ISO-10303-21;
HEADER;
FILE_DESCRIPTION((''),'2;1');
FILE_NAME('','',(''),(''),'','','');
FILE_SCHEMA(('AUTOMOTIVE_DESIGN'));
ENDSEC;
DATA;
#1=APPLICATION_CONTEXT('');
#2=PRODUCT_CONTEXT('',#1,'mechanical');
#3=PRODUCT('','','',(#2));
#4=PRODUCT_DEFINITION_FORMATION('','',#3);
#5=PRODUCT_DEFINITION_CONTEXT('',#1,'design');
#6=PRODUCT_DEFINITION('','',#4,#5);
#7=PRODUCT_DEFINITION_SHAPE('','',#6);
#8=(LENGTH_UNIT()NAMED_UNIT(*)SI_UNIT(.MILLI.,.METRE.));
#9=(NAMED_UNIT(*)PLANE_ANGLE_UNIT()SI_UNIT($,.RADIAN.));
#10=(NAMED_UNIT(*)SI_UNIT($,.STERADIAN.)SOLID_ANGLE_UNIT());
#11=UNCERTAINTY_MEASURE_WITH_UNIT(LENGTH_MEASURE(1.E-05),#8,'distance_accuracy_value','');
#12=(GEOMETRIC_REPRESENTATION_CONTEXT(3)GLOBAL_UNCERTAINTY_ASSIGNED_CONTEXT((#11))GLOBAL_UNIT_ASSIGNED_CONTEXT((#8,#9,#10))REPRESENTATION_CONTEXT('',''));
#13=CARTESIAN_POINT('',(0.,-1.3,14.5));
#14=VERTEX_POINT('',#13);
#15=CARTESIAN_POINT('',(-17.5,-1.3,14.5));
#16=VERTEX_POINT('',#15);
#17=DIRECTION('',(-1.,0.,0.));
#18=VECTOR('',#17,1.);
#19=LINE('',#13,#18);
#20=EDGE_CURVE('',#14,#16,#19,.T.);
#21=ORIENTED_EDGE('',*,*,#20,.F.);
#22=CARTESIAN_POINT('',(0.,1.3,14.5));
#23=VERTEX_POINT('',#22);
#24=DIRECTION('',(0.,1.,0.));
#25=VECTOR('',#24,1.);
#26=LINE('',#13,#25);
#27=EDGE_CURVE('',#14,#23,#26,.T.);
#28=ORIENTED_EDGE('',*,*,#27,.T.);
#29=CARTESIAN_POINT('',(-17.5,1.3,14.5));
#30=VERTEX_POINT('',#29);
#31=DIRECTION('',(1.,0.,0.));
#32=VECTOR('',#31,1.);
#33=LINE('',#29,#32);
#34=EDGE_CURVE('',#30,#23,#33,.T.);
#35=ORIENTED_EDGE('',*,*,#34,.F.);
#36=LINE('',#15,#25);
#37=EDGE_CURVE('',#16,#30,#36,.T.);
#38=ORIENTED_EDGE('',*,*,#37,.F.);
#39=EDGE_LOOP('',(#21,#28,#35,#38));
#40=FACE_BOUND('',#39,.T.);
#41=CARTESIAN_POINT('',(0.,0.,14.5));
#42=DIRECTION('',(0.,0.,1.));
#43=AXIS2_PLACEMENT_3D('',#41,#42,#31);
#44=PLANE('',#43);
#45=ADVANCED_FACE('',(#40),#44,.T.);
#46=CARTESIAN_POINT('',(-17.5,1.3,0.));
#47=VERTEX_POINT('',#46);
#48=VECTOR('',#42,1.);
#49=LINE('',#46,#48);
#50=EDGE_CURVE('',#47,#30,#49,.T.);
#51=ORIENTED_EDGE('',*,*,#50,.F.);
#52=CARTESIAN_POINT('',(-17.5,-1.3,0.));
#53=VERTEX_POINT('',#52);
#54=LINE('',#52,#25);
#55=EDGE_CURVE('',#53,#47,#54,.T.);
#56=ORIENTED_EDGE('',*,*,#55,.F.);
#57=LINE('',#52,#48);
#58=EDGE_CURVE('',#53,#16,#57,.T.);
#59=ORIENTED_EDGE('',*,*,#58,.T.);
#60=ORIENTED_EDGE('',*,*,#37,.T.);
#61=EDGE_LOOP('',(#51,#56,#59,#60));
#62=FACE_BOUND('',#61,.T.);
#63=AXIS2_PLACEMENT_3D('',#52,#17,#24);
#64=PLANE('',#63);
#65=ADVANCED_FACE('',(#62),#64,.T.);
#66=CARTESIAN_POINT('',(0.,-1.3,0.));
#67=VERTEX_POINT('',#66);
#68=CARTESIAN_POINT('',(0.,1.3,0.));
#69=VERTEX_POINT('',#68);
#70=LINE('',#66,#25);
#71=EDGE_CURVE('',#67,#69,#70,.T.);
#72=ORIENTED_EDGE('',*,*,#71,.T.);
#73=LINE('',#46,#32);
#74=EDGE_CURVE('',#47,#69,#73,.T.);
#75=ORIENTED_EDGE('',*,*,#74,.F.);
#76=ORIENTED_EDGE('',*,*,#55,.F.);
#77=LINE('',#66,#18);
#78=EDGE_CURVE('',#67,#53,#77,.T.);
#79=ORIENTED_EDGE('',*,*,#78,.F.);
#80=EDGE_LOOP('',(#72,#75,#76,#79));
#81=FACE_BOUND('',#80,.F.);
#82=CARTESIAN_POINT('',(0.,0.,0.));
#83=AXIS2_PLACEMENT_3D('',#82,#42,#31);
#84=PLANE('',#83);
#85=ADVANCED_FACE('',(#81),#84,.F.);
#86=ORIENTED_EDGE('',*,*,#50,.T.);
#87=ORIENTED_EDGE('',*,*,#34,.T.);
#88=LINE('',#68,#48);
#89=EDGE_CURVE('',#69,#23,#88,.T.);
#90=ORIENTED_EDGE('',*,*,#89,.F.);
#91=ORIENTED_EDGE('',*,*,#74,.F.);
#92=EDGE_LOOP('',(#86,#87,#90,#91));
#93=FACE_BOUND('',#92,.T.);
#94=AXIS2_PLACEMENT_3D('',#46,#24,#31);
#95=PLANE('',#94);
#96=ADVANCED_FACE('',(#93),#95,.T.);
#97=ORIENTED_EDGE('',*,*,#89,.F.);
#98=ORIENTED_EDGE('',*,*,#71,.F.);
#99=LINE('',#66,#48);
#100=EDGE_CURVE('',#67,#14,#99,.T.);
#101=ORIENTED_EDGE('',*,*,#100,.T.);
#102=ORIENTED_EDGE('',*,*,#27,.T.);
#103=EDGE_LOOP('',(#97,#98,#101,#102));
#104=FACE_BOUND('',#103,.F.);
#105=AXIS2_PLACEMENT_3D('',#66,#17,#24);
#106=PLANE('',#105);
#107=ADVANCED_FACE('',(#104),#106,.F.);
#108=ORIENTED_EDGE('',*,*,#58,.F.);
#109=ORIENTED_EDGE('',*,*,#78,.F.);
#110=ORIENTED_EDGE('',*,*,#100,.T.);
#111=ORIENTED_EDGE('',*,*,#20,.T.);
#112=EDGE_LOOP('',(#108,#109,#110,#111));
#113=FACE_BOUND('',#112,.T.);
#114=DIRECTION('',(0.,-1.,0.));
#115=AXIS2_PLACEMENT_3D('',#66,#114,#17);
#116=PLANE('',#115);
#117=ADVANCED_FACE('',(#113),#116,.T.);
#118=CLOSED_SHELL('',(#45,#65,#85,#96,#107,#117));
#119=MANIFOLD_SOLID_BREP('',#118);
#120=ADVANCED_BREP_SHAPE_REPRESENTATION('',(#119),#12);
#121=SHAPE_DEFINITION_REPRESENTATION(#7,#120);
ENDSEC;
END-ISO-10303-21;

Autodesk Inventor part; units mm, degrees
ref_plane "YZ Plane" through (0, 0, 0) normal (1, 0, 0) x (0, 1, 0)
ref_plane "XZ Plane" through (0, 0, 0) normal (0, 1, 0) x (-1, 0, 0)
ref_plane "XY Plane" through (0, 0, 0) normal (0, 0, 1) x (1, 0, 0)
ref_plane "РабПлоскость1" through (0, 0, 0) normal (0, 0, 1) x (1, 0, 0)
sketch "Эскиз1" plane through (0, 0, 0) normal (0, 0, 1) x (1, 0, 0)
  line L0 (-10.35, -0.8) -> (-11.95, -0.8) projected
  line L1 (-11.95, -0.8) -> (-11.95, 0.8) projected
  line L2 (-11.95, 0.8) -> (-10.35, 0.8) projected
  line L3 (-10.35, 0.8) -> (-10.35, -0.8) projected
  line L4 (-3.15, -0.8) -> (-4.75, -0.8) projected
  line L5 (-4.75, -0.8) -> (-4.75, 0.8) projected
  line L6 (-4.75, 0.8) -> (-3.15, 0.8) projected
  line L7 (-3.15, 0.8) -> (-3.15, -0.8) projected
  line L8 (-5.55, -0.8) -> (-7.15, -0.8) projected
  line L9 (-7.15, -0.8) -> (-7.15, 0.8) projected
  line L10 (-7.15, 0.8) -> (-5.55, 0.8) projected
  line L11 (-5.55, 0.8) -> (-5.55, -0.8) projected
  line L12 (-12.75, -0.8) -> (-14.35, -0.8) projected
  line L13 (-14.35, -0.8) -> (-14.35, 0.8) projected
  line L14 (-14.35, 0.8) -> (-12.75, 0.8) projected
  line L15 (-12.75, 0.8) -> (-12.75, -0.8) projected
  line L16 (-15.15, -0.8) -> (-16.75, -0.8) projected
  line L17 (-16.75, -0.8) -> (-16.75, 0.8) projected
  line L18 (-16.75, 0.8) -> (-15.15, 0.8) projected
  line L19 (-15.15, 0.8) -> (-15.15, -0.8) projected
  line L20 (-7.95, -0.8) -> (-9.55, -0.8) projected
  line L21 (-9.55, -0.8) -> (-9.55, 0.8) projected
  line L22 (-9.55, 0.8) -> (-7.95, 0.8) projected
  line L23 (-7.95, 0.8) -> (-7.95, -0.8) projected
  line L24 (-0.75, -0.8) -> (-2.35, -0.8) projected
  line L25 (-2.35, -0.8) -> (-2.35, 0.8) projected
  line L26 (-2.35, 0.8) -> (-0.75, 0.8) projected
  line L27 (-0.75, 0.8) -> (-0.75, -0.8) projected
  line L28 (-17.5, -1.3) -> (-17.5, 1.3) projected
  line L29 (0, -1.3) -> (-17.5, -1.3) projected
  line L30 (0, -1.3) -> (0, 1.3) projected
  line L31 (-17.5, 1.3) -> (0, 1.3) projected
  point P0 (0, 0)
extrude "Выдавливание1" add sketch "Эскиз1" along normal blind 14.5 contours L0 L1 L2 L3 | L4 L5 L6 L7 | L8 L9 L10 L11 | L12 L13 L14 L15 | L16 L17 L18 L19 | L20 L21 L22 L23 | L24 L25 L26 L27 | L28 L31 L30 L29
properties part number "ЛЦМК.00002.00.00.00.00.21 Контакты"
